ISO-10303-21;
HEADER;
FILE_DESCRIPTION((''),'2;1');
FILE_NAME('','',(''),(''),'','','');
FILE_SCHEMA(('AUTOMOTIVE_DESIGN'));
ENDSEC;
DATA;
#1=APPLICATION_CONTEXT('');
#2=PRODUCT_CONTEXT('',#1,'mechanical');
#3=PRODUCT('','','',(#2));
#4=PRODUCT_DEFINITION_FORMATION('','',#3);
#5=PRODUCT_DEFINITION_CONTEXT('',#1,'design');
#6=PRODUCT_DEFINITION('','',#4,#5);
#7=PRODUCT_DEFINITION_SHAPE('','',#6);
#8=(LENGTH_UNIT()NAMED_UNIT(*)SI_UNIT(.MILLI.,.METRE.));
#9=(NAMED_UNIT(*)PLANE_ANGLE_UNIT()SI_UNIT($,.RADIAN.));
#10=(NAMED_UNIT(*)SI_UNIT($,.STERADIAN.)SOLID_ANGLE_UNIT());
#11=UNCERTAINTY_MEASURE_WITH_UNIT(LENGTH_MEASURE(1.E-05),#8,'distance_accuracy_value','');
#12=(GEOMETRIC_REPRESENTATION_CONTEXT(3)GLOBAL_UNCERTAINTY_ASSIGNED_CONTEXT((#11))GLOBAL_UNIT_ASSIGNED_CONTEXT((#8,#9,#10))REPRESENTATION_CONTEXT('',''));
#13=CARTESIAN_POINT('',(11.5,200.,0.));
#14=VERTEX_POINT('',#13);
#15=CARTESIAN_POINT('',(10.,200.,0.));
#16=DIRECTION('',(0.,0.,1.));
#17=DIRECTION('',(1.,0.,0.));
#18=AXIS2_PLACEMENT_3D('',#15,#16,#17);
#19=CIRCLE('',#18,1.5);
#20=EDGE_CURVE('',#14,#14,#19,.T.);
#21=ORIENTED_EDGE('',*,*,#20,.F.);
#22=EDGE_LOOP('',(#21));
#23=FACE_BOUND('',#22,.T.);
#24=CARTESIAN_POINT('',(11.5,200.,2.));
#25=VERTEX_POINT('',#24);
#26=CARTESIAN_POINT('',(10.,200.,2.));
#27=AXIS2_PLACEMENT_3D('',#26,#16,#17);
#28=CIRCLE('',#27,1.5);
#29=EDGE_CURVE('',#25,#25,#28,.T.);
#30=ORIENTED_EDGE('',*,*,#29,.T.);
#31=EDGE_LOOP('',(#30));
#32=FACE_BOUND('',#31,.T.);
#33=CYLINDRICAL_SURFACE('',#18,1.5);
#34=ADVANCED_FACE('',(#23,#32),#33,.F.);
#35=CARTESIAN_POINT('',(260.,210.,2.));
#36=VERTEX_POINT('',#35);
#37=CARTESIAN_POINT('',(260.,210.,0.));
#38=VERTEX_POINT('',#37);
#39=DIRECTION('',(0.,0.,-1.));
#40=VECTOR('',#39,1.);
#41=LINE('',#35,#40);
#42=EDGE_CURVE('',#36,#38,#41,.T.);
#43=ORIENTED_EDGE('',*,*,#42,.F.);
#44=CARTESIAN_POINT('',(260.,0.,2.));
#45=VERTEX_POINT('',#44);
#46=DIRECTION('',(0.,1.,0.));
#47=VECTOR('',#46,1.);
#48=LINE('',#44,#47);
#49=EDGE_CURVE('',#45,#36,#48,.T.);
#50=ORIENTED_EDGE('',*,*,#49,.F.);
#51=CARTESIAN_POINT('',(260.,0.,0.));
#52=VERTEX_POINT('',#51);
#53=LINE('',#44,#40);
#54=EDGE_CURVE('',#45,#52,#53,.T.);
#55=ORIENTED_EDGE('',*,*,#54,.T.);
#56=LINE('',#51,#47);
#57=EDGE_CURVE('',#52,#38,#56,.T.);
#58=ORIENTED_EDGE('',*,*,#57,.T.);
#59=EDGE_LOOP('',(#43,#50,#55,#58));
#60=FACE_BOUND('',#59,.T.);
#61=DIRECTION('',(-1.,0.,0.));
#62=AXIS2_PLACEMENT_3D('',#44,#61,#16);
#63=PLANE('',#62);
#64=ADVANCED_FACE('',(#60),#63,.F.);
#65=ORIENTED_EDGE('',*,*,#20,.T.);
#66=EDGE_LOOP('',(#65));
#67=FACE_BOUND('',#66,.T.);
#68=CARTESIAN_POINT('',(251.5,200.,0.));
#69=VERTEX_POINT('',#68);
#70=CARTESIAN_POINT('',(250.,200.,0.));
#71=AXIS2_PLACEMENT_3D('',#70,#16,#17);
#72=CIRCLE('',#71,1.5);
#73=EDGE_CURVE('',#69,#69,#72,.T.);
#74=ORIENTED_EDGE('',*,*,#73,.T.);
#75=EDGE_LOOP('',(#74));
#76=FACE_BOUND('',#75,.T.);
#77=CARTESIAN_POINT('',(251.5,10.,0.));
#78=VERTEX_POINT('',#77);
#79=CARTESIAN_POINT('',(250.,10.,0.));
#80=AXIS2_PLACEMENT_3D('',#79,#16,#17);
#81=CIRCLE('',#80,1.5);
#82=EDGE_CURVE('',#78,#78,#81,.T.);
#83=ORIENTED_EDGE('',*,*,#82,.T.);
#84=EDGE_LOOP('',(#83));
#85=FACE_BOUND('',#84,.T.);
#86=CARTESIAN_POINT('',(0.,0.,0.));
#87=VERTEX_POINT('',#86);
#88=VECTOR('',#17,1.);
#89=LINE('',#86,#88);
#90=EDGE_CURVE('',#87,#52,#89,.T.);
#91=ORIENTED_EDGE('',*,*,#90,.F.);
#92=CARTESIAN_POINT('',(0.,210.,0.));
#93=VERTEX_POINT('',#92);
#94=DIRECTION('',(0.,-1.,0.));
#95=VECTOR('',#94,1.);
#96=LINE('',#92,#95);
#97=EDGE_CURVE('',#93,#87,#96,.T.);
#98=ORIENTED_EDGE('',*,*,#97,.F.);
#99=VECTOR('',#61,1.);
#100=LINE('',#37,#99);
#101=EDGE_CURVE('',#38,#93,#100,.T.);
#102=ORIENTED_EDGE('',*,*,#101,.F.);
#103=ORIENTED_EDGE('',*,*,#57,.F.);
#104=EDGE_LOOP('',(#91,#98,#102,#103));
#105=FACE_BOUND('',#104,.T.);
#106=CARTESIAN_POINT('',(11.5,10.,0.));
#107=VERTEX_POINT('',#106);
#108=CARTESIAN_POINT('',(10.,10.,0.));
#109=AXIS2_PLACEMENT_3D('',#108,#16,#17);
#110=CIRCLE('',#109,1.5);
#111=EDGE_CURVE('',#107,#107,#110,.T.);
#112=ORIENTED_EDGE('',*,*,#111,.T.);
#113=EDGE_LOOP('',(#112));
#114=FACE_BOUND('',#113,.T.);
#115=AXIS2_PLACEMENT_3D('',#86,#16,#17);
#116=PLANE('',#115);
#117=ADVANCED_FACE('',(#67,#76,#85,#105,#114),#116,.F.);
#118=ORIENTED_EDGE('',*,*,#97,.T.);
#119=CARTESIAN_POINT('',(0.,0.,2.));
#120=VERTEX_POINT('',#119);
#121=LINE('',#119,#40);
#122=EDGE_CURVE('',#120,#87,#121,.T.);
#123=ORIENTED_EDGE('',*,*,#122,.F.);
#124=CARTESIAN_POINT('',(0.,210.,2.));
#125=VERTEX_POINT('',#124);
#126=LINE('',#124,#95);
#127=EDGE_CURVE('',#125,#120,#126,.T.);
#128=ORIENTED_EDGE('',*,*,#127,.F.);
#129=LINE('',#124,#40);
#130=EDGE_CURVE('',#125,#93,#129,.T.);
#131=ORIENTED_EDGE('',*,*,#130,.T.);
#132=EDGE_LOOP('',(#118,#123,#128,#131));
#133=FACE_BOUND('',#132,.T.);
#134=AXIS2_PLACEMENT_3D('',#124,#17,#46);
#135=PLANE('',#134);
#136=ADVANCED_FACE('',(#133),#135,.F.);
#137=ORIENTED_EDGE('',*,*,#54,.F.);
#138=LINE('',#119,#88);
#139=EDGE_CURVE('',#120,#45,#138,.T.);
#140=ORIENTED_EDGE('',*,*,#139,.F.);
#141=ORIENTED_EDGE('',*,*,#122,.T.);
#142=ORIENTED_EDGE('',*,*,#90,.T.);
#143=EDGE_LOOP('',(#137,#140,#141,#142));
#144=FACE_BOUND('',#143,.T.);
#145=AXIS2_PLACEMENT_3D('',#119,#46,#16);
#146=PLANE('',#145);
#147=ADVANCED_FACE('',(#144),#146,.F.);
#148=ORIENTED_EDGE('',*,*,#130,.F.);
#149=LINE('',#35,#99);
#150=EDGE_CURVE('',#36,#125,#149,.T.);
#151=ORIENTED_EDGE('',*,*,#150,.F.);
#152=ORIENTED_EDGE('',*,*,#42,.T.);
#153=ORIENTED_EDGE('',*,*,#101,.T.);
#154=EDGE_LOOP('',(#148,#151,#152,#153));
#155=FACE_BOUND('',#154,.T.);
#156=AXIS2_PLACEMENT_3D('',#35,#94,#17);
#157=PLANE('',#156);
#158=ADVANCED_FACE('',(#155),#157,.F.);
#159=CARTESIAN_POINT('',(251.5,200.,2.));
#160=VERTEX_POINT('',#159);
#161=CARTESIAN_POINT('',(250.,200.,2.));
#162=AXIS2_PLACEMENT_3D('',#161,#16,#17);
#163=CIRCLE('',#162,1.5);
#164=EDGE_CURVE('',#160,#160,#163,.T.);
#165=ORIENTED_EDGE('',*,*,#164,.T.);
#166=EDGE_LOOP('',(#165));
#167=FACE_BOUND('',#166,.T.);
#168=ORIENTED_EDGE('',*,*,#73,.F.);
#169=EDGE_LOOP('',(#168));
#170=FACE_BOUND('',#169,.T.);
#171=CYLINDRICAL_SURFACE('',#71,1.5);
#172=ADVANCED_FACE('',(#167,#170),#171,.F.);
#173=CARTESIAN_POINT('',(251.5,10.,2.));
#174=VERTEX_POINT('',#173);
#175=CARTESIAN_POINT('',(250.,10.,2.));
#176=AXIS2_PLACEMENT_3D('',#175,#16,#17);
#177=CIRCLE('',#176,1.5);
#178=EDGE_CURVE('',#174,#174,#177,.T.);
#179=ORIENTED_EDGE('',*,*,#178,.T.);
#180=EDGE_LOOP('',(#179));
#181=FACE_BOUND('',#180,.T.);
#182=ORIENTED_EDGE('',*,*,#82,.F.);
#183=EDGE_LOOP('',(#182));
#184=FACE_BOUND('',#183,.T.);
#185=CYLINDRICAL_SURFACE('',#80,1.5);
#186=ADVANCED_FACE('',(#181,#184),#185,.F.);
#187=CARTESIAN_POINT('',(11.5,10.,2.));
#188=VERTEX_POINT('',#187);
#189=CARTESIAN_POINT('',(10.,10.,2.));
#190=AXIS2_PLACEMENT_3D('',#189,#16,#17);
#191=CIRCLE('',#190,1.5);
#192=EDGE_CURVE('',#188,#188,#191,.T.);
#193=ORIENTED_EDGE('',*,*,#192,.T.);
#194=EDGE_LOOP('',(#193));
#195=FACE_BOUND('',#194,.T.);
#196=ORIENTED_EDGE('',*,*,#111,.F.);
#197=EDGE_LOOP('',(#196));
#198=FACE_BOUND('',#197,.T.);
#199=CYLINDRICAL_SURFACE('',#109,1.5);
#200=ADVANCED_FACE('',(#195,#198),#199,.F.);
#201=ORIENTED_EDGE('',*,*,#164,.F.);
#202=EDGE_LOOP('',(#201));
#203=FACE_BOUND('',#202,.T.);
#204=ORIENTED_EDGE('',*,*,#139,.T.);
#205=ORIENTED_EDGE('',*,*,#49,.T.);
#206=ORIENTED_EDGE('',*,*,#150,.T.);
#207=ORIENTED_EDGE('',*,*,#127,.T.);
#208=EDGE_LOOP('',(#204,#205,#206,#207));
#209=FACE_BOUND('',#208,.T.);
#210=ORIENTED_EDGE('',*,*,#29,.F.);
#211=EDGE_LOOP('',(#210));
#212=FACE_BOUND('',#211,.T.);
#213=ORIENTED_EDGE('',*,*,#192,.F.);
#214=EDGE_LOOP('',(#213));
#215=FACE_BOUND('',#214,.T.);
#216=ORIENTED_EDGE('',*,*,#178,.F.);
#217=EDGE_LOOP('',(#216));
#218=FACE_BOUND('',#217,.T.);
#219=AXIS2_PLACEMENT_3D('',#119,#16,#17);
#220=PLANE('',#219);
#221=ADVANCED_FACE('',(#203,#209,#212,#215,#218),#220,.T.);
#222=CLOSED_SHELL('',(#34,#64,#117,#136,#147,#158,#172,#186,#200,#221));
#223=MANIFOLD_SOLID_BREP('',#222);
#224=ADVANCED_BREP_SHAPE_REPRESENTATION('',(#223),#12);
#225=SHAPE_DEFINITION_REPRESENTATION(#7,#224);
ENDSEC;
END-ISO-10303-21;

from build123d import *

# Parameters (mm, degrees)
SKETCH_1_W          = 260
SKETCH_1_H          = 210
EXTRUDE_1_DEPTH     = 2
SKETCH_2_R          = 1.5
CUT_EXTRUDE_1_DEPTH = 2


with BuildPart() as part:
    # 草图1 → 凸台-拉伸1 (new body)
    with BuildSketch(Plane.XY):
        with Locations((130, 105)):
            Rectangle(SKETCH_1_W, SKETCH_1_H)
    extrude(amount=EXTRUDE_1_DEPTH)

    # 草图2 → 切除-拉伸1 (cut)
    with BuildSketch(Plane.XY.offset(2)):
        with Locations((10, 200)):
            Circle(SKETCH_2_R)
        with Locations((250, 200)):
            Circle(SKETCH_2_R)
        with Locations((10, 10)):
            Circle(SKETCH_2_R)
        with Locations((250, 10)):
            Circle(SKETCH_2_R)
    extrude(amount=-CUT_EXTRUDE_1_DEPTH, mode=Mode.SUBTRACT)


solid = part.part
